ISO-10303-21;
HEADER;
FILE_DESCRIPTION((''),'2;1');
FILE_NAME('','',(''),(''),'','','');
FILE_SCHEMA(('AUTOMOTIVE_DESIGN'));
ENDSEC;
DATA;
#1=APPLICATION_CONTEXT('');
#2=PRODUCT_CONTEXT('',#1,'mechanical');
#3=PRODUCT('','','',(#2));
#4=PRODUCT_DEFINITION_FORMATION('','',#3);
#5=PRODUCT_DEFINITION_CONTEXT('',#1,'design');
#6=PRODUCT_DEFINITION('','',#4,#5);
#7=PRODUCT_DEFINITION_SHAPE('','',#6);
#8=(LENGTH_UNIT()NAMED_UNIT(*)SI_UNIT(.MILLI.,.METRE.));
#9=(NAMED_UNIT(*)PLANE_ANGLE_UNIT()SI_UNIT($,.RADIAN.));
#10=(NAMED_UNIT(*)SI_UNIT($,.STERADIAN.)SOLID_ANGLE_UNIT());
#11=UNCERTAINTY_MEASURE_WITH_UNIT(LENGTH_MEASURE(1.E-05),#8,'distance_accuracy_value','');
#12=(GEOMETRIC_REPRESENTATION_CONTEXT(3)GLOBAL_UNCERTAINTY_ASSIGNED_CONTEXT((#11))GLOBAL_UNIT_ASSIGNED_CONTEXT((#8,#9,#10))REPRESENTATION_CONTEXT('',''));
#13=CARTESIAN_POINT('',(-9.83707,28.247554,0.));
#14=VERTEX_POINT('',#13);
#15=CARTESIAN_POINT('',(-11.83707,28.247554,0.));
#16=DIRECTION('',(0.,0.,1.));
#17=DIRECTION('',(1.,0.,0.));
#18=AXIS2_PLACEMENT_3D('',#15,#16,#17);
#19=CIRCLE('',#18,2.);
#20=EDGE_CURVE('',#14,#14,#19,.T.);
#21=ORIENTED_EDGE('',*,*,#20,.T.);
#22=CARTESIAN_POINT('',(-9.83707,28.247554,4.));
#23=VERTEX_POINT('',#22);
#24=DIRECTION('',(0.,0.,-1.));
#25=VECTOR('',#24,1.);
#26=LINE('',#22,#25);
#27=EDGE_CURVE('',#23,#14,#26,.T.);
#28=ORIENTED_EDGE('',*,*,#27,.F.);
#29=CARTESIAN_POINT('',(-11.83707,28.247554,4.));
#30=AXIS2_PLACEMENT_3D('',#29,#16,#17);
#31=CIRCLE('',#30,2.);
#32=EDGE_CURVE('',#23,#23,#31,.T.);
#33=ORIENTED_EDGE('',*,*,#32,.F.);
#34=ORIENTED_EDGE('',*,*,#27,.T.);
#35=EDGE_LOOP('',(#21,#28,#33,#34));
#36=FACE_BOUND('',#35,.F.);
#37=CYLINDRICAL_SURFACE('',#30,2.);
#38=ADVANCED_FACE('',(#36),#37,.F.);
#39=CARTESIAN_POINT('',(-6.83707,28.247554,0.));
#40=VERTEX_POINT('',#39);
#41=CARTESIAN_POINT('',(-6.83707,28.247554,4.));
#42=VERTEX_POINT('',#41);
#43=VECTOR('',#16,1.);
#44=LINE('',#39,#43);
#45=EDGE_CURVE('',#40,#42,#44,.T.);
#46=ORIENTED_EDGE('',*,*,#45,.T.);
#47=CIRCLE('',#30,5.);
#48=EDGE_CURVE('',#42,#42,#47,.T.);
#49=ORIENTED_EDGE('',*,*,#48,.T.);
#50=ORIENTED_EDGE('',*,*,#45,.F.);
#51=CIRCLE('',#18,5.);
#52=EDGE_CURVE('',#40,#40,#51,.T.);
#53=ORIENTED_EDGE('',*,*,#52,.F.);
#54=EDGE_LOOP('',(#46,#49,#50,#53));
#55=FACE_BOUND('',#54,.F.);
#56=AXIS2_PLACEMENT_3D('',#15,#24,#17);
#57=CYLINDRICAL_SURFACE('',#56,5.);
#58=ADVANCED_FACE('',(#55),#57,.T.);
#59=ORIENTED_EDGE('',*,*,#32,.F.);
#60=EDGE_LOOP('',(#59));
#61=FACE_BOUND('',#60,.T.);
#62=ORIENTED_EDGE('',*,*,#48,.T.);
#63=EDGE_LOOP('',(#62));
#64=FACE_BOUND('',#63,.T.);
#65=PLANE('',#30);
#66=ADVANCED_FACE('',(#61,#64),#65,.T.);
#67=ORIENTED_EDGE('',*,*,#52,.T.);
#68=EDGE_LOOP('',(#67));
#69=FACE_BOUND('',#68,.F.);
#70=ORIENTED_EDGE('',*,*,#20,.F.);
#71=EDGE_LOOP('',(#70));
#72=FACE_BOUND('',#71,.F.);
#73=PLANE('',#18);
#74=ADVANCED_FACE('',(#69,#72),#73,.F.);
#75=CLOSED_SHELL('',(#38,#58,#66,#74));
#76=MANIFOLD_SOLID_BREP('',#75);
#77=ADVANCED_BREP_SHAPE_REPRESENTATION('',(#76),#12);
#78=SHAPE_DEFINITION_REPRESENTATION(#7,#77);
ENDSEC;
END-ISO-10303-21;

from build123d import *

# Parameters (mm, degrees)
SKETCH_1_R          = 5
EXTRUDE_1_DEPTH     = 4
SKETCH_2_R          = 2
CUT_EXTRUDE_1_DEPTH = 5


with BuildPart() as part:
    # 草图1 → 凸台-拉伸1 (new body)
    with BuildSketch(Plane.XY):
        with Locations((-11.837070281, 28.24755408)):
            Circle(SKETCH_1_R)
    extrude(amount=EXTRUDE_1_DEPTH)

    # 草图2 → 切除-拉伸1 (cut, through all)
    with BuildSketch(Plane.XY.offset(4)):
        with Locations((-11.837070281, 28.24755408)):
            Circle(SKETCH_2_R)
    extrude(amount=-CUT_EXTRUDE_1_DEPTH, mode=Mode.SUBTRACT)


solid = part.part
